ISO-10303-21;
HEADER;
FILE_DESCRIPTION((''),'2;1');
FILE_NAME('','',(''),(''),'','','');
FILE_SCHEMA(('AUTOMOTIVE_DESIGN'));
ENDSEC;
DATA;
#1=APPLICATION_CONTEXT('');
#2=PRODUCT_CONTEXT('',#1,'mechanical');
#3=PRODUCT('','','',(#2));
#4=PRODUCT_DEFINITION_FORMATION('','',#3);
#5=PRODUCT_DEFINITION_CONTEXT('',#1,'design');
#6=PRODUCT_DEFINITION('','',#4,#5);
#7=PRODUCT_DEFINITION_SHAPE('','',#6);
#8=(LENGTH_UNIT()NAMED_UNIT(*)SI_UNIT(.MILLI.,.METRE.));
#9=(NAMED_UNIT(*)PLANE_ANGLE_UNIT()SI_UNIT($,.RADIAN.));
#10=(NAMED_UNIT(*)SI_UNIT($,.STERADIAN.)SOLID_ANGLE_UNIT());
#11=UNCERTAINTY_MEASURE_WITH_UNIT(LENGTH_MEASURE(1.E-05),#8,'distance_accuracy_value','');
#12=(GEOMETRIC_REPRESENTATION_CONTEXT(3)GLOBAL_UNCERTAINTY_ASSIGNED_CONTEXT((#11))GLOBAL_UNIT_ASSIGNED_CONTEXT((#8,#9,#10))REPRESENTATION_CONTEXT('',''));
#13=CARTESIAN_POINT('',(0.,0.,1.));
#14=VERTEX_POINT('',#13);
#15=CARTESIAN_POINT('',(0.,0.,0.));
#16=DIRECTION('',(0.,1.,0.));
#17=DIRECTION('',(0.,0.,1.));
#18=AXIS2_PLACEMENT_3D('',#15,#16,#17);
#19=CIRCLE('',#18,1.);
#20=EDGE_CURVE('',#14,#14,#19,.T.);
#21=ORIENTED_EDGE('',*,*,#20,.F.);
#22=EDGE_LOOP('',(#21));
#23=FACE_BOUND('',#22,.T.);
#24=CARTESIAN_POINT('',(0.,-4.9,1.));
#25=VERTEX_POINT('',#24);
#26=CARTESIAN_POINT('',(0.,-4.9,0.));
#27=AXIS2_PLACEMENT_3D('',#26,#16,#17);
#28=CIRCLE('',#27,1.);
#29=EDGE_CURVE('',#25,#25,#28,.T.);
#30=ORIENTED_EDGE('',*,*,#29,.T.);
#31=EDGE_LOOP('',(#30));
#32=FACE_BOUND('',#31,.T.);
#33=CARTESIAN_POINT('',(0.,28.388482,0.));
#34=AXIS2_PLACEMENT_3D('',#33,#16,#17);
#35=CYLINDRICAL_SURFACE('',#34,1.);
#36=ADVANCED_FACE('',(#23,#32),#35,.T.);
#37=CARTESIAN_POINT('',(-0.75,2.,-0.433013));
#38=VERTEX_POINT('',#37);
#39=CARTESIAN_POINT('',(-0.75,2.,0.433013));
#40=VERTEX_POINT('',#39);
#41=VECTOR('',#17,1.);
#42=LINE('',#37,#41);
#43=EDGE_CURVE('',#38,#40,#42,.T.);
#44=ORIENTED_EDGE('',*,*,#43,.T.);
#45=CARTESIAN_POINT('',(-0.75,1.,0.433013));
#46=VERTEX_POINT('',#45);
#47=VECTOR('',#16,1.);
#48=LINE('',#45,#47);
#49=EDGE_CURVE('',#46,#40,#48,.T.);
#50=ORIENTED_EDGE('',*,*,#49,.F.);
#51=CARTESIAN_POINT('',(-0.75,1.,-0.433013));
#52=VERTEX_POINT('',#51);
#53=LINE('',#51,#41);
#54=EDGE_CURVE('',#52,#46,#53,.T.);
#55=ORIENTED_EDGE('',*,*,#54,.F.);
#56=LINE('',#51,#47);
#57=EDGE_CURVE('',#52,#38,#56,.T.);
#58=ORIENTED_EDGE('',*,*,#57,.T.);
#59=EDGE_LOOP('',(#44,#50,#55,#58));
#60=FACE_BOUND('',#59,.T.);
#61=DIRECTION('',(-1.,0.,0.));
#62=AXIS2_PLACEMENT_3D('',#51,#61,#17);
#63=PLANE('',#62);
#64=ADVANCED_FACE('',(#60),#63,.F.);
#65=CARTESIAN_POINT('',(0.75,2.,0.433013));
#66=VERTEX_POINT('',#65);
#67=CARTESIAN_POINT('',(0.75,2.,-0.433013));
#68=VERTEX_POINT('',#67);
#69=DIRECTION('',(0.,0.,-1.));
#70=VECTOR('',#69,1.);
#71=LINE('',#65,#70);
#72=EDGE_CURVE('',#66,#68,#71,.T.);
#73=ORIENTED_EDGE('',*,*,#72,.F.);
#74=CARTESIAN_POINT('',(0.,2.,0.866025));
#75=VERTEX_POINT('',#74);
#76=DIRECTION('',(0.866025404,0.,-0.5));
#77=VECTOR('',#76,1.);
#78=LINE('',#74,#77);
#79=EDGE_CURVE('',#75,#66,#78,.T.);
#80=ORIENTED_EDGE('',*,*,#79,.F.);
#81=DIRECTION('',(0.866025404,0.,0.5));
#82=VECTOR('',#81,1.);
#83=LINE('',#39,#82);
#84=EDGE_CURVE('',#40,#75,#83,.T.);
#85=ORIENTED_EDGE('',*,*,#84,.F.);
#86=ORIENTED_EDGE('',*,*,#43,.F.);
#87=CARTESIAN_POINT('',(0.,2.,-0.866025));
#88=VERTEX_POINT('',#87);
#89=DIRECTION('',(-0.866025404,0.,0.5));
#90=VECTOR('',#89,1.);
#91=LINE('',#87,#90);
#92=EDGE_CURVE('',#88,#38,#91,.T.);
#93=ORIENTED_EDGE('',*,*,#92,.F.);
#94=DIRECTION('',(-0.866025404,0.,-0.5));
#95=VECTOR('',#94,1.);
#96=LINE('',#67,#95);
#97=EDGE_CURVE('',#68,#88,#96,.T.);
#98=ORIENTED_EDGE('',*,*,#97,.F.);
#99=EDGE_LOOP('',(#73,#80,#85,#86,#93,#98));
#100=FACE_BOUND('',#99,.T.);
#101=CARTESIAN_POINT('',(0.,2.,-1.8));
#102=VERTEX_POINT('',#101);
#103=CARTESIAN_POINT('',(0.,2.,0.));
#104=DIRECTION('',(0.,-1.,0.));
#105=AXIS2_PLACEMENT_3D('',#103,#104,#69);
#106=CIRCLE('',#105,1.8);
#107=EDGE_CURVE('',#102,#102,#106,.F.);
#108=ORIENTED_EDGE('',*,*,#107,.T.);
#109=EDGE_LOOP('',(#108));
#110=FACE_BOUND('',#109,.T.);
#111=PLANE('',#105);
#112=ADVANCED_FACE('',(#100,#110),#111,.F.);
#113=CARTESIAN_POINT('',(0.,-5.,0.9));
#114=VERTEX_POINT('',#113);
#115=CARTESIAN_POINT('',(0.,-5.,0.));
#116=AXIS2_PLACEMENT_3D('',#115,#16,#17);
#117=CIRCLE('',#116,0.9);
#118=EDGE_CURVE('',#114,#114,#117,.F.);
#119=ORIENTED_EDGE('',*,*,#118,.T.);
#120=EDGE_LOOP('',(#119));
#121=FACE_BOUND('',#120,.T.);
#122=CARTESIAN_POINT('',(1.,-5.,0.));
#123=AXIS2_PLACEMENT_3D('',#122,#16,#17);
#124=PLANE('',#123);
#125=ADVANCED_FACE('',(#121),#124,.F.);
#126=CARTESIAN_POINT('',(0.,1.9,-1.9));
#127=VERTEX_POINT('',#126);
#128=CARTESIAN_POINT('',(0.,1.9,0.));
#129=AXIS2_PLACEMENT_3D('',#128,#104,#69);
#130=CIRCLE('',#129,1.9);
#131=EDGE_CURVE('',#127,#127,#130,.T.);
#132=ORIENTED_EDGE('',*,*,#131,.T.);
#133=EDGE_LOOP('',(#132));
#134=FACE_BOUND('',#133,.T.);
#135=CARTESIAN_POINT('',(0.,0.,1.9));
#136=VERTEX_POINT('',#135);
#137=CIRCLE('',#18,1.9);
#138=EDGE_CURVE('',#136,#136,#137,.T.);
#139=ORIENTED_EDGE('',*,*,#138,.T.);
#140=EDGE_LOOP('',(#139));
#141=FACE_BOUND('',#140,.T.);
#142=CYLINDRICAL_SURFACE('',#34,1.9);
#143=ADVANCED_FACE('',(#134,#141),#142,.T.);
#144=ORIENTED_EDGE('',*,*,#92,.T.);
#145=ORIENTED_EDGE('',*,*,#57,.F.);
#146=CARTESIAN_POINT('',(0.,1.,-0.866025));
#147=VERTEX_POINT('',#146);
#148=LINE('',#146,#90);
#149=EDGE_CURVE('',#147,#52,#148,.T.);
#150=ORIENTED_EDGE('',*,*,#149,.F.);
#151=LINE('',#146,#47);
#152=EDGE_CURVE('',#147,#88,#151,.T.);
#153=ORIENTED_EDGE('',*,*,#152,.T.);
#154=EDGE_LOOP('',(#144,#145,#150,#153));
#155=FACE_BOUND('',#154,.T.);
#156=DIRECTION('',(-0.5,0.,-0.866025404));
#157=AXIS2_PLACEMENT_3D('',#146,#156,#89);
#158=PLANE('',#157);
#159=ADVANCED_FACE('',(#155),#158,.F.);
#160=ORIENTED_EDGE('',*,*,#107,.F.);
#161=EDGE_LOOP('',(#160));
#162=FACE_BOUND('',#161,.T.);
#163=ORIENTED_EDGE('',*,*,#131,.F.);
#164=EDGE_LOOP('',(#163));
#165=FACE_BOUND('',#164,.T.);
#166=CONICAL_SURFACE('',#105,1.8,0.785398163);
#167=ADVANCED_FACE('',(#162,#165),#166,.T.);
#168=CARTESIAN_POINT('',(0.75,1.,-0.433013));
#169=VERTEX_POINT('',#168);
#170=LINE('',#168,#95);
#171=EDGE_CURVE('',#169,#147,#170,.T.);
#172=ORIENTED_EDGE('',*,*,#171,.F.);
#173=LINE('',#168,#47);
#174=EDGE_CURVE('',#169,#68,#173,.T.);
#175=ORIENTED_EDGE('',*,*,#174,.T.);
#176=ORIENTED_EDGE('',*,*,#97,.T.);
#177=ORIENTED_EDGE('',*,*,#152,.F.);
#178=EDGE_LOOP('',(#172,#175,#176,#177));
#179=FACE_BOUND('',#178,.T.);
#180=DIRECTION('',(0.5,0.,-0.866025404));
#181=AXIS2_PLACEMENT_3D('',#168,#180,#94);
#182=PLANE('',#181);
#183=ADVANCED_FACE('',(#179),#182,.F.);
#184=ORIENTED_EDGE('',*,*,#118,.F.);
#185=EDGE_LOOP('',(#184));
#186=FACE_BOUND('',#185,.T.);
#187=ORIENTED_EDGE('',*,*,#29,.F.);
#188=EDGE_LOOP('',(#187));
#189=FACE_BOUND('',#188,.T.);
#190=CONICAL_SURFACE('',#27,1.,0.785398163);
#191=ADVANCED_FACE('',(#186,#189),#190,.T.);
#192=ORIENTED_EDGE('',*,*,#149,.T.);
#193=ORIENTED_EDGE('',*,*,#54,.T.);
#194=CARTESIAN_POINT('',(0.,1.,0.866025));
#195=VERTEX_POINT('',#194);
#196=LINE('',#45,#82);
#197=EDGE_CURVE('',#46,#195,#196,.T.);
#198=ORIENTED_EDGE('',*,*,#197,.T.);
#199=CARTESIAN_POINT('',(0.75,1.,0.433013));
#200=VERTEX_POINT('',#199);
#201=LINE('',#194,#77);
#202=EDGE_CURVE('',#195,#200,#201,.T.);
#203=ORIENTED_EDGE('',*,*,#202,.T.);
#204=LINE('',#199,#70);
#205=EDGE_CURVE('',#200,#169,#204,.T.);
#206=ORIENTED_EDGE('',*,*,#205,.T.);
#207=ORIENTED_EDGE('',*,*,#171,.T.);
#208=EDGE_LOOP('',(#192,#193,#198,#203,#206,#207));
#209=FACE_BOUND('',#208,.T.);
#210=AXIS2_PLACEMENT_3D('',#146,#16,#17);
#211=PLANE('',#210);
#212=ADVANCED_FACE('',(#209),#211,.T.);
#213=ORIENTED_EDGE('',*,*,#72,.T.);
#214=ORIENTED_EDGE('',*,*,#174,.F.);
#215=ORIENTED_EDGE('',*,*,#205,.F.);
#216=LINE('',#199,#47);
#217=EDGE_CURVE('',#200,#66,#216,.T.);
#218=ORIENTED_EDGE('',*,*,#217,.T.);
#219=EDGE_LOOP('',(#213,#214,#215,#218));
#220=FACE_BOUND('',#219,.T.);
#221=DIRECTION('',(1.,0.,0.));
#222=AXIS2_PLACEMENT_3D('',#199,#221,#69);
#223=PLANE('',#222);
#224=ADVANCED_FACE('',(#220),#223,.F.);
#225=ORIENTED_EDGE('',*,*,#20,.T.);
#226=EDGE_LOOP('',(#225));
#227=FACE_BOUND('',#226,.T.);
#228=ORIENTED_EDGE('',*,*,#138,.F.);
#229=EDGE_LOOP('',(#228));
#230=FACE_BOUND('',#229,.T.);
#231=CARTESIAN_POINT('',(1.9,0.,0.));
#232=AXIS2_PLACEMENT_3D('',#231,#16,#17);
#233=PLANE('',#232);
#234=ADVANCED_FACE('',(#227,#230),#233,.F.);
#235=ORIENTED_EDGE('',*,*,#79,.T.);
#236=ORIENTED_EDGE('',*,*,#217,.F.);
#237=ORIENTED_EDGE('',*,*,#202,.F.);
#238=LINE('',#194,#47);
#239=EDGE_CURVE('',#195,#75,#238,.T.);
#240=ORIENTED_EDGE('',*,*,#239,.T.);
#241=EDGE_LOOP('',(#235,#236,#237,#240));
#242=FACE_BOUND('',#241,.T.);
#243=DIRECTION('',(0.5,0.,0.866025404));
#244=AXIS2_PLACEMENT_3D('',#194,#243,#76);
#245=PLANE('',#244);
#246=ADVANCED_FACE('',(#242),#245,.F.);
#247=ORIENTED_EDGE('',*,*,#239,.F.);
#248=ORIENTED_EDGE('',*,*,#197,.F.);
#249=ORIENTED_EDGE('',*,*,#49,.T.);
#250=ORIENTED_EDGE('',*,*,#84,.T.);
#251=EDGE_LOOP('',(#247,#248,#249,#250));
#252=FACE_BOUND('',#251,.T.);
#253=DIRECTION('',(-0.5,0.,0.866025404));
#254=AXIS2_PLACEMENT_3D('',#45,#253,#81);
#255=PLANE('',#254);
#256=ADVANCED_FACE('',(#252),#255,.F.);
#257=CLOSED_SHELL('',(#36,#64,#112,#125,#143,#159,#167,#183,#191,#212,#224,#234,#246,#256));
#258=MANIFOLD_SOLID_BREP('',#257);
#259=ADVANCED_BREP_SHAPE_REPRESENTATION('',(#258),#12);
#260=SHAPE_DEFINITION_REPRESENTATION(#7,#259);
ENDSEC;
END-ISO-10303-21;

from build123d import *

# Parameters (mm, degrees)
SMUSSO1_SIZE             = 0.1
TAGLIO_ESTRUSIONE1_DEPTH = 1


with BuildPart() as part:
    # Schizzo1 → Rivoluzione1 (revolve)
    with BuildSketch(Plane.XY, mode=Mode.PRIVATE) as rivoluzione1_sk:
        Polygon((0, 0), (0, 2), (1.9, 2), (1.9, 0), (1, 0), (1, -5), (0, -5), align=None)
    revolve(rivoluzione1_sk.sketch.rotate(Axis((0, 28.388481997, 0), (0, -1, 0)), 90), axis=Axis((0, 28.388481997, 0), (0, -1, 0)))

    # Smusso1
    smusso1_edges = [part.edges().sort_by_distance(p)[0] for p in [
        (0, -5, -1),
        (0, 2, -1.9),
    ]]
    chamfer(smusso1_edges, length=SMUSSO1_SIZE)

    # Schizzo2 → Taglio-Estrusione1 (cut)
    with BuildSketch(Plane(origin=(0, 2, 0), x_dir=(1, 0, 0), z_dir=(0, 1, 0))):
        Polygon((0, 0.866025404), (-0.75, 0.433012702), (-0.75, -0.433012702), (0, -0.866025404), (0.75, -0.433012702), (0.75, 0.433012702), align=None)
    extrude(amount=-TAGLIO_ESTRUSIONE1_DEPTH, mode=Mode.SUBTRACT)


solid = part.part
